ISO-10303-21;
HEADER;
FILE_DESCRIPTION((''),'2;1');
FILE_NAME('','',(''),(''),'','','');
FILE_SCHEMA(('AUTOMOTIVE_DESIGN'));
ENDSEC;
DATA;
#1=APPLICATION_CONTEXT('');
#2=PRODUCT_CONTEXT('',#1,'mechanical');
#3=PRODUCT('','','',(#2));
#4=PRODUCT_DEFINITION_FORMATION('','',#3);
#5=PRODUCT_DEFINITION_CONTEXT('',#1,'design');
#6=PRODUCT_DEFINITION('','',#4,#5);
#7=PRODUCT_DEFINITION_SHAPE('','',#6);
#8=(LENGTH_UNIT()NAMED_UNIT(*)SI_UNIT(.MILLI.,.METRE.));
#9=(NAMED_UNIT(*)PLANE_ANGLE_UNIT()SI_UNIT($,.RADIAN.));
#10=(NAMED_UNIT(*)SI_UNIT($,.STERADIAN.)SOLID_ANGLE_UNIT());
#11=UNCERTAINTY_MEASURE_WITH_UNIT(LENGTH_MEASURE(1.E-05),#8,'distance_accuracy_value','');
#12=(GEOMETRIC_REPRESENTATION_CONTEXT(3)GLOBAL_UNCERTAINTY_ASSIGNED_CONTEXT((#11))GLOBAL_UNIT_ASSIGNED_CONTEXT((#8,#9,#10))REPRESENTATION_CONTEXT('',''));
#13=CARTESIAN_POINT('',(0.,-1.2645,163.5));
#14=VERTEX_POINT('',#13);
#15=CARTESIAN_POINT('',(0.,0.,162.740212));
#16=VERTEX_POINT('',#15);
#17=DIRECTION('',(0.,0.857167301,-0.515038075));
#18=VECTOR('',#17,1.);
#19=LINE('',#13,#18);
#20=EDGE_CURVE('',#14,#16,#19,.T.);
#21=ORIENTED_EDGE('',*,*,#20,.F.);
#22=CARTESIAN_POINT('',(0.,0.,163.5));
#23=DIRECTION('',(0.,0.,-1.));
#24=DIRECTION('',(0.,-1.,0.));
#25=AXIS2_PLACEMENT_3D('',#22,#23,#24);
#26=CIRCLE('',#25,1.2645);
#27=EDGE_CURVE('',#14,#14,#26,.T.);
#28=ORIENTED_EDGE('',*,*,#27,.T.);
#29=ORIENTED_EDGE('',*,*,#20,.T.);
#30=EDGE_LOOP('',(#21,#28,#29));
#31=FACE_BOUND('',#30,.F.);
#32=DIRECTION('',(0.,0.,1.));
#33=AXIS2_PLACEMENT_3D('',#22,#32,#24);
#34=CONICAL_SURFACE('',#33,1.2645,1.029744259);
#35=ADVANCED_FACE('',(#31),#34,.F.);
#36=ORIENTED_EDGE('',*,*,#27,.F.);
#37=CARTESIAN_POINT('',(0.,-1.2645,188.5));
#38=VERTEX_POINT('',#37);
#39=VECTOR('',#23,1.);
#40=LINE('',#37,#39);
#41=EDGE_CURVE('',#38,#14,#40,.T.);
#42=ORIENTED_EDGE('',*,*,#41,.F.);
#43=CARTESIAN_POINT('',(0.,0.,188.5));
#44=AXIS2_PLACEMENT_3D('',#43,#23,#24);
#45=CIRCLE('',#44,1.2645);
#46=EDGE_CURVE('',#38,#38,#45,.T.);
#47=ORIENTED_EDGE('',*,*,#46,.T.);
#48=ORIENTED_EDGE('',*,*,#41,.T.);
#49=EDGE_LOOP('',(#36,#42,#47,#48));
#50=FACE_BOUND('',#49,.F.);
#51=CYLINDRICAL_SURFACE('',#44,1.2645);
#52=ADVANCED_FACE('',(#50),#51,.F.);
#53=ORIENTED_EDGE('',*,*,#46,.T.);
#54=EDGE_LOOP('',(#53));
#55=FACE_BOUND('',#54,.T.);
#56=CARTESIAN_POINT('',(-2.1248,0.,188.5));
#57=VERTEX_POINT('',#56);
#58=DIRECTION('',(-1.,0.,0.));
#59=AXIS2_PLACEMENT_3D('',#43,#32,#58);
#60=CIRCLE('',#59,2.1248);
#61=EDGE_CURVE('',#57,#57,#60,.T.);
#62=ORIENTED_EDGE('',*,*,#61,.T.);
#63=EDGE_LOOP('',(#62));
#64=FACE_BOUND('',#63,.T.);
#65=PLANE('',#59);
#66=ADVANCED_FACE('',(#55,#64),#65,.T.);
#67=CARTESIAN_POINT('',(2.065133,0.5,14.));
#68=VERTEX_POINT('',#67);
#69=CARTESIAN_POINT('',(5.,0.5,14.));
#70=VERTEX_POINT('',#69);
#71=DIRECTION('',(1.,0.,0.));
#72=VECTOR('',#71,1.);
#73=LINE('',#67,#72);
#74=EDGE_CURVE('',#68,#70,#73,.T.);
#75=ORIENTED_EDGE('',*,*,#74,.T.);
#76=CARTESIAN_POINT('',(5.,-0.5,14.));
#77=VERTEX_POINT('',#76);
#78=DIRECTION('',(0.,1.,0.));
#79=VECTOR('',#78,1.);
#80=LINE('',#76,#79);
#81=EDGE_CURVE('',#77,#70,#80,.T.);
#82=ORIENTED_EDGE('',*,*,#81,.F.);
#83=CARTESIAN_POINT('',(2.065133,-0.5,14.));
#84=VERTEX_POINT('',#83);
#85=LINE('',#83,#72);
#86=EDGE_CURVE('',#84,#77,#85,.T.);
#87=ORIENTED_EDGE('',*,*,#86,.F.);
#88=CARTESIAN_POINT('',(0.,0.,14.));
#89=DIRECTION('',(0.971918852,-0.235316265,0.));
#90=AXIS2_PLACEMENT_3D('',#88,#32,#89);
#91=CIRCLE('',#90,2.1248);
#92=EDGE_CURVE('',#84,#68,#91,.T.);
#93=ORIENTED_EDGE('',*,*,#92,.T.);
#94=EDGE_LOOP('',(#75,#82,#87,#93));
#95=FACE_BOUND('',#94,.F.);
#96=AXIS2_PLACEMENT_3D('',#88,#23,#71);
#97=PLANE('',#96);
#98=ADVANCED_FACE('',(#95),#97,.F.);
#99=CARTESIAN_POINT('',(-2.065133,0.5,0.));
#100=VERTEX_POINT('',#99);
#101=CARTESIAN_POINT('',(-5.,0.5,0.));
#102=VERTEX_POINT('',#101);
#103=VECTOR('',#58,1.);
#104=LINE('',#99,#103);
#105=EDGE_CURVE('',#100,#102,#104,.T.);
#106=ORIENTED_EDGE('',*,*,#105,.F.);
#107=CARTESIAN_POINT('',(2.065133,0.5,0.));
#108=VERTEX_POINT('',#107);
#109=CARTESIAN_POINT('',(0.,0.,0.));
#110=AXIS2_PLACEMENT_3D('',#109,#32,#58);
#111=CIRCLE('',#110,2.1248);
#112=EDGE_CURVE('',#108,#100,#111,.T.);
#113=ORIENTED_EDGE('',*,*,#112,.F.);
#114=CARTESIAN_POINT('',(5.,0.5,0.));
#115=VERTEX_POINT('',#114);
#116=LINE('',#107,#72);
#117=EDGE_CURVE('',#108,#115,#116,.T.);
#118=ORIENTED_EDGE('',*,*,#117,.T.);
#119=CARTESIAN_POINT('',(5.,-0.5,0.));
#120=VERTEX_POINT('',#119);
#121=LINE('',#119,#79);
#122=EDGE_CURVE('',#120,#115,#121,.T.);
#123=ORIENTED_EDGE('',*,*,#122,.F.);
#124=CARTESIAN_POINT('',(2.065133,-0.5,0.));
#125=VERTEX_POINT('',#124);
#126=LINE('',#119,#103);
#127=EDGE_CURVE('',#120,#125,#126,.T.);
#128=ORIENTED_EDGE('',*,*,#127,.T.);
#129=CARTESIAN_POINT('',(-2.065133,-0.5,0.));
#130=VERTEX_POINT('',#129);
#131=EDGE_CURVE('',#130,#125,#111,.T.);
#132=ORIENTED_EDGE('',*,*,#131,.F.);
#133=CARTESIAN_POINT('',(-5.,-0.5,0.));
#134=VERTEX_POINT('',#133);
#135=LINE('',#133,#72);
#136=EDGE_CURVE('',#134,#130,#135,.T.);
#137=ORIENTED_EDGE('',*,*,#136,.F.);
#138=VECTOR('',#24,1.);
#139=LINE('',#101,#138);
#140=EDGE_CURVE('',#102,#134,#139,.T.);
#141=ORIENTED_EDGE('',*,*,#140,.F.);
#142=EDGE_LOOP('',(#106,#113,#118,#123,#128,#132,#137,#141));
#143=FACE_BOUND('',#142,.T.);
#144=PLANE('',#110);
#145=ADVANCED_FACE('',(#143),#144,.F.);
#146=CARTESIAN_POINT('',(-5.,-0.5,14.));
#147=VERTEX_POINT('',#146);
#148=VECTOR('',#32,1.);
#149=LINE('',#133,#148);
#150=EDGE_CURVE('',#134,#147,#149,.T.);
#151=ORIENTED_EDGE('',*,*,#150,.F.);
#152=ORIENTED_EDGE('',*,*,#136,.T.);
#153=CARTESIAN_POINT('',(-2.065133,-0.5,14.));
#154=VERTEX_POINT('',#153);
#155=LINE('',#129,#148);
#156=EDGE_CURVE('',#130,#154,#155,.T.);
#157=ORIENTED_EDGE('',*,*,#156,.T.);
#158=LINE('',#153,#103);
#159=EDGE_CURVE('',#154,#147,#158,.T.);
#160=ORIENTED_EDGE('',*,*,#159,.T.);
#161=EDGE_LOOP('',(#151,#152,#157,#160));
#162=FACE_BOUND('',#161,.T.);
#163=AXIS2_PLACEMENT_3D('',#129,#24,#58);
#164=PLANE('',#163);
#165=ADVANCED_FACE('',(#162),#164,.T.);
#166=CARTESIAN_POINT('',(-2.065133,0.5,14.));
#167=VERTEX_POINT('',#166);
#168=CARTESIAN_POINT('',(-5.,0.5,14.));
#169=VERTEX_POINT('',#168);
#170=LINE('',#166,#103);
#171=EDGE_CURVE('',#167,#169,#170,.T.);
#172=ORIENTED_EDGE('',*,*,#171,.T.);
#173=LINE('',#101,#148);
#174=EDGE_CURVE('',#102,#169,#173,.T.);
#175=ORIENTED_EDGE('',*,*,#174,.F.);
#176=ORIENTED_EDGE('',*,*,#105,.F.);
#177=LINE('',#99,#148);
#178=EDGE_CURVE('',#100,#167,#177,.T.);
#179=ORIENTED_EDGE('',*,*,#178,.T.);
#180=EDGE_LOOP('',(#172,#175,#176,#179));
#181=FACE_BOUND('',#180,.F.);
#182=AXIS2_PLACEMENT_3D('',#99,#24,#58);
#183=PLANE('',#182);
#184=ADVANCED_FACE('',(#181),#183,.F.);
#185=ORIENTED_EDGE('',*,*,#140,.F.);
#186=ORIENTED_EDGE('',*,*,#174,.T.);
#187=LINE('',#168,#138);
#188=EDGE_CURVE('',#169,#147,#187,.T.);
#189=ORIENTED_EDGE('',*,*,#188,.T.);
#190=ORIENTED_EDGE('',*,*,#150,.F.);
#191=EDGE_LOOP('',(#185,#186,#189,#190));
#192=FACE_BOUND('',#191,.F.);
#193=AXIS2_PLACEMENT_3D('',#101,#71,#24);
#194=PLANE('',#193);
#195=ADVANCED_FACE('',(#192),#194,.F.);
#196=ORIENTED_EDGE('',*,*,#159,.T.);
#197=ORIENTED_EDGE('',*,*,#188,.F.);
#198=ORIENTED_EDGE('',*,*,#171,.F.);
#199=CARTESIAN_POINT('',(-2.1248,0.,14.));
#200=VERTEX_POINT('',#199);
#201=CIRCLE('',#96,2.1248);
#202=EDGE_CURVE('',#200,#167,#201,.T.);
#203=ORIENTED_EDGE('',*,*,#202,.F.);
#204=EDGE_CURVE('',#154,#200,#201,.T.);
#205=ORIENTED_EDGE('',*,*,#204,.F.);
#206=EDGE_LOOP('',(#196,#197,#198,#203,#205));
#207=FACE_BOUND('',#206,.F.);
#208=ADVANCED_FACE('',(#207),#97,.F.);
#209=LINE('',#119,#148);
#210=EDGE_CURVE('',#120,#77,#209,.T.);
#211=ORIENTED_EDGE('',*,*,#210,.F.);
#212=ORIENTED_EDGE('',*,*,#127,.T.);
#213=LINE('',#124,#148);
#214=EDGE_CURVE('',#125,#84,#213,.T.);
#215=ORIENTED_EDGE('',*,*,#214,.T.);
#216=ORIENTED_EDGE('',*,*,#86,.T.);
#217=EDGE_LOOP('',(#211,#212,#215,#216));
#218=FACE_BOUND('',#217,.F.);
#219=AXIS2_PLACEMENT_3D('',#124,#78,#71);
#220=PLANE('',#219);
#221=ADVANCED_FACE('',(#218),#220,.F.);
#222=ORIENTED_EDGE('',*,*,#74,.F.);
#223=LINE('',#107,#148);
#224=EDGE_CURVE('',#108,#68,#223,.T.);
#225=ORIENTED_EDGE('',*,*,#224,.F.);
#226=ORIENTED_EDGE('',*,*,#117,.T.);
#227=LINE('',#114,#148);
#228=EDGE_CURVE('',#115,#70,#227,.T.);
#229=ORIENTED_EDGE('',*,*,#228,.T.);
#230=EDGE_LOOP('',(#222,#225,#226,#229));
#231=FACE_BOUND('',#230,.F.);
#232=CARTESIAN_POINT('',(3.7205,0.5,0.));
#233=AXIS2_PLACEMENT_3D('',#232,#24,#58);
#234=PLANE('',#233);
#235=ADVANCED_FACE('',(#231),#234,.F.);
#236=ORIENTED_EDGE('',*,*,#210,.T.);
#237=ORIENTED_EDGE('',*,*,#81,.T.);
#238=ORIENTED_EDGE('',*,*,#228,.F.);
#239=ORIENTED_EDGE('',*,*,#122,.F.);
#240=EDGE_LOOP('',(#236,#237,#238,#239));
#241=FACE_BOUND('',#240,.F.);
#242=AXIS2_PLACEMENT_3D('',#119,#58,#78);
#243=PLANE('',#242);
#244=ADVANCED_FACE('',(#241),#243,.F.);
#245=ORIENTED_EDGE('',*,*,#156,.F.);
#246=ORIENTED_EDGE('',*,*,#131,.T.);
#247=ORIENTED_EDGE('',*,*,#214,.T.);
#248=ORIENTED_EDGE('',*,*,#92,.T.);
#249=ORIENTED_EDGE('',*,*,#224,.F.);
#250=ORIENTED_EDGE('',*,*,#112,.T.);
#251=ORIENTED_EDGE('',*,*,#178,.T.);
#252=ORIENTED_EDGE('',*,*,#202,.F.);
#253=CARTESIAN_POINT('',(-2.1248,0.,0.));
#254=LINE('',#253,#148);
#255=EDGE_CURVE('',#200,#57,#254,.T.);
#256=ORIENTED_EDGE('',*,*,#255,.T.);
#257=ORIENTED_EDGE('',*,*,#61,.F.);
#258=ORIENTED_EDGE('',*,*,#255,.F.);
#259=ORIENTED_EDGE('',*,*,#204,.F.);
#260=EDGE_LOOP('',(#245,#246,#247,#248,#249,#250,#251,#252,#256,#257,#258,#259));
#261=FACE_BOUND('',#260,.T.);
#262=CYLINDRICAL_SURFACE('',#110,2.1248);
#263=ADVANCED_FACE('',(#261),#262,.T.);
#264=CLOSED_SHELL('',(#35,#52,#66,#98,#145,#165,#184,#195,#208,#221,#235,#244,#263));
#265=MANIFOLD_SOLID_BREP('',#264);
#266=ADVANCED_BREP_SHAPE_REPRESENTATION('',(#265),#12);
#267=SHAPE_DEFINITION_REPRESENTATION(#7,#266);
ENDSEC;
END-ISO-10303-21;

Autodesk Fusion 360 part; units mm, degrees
sketch "Sketch1" plane through (0, 0, 0) normal (0, 1, 0) x (1, 0, 0)
  line L0 (0, 0) -> (0, -188.5)
  line L1 (0, 0) -> (-0.6248, 0)
  line L2 (-0.6248, 0) -> (-2.1248, 0)
  line L3 (-2.1248, 0) -> (-2.1248, -188.5)
  line L4 (-2.1248, -188.5) -> (0, -188.5)
  dimension "d1" = 188.5
  dimension "d2" = 1.5
revolve "Revolve1" add sketch "Sketch1" angle 360 about axis through (0, 0, 0) along (0, 0, 1)
sketch "Sketch2" plane through (0, 0, 0) normal (0, 0, -1) x (1, 0, 0)
  circle A0 centre (0, 0) radius 2.1248
  line L0 (0, 0.5) -> (-3, 0.5)
  line L1 (0, 0.5) -> (3.7205, 0.5)
  line L2 (3.7205, -0.5) -> (-3, -0.5)
  line L3 (0, 0.5) -> (5, 0.5)
  line L4 (5, 0.5) -> (5, -0.5)
  line L5 (5, -0.5) -> (-5, -0.5)
  line L6 (-5, -0.5) -> (-5, 0.5)
  line L7 (-5, 0.5) -> (-5.1, 0.5)
  line L8 (-5, 0.5) -> (5, 0.5)
  dimension "d4" = 0.5
extrude "Extrude2" add sketch "Sketch2" against normal blind 14 contours A0 L0 L2 L5 L6 L8
extrude "Extrude1" add sketch "Sketch2" against normal blind 14 contours A0 L1 L2 L3 L4 L5 L8
hole "Hole1" at (0, 0, 188.5) direction (0, 0, -1) diameter 2.529 depth 25 tip angle 118
